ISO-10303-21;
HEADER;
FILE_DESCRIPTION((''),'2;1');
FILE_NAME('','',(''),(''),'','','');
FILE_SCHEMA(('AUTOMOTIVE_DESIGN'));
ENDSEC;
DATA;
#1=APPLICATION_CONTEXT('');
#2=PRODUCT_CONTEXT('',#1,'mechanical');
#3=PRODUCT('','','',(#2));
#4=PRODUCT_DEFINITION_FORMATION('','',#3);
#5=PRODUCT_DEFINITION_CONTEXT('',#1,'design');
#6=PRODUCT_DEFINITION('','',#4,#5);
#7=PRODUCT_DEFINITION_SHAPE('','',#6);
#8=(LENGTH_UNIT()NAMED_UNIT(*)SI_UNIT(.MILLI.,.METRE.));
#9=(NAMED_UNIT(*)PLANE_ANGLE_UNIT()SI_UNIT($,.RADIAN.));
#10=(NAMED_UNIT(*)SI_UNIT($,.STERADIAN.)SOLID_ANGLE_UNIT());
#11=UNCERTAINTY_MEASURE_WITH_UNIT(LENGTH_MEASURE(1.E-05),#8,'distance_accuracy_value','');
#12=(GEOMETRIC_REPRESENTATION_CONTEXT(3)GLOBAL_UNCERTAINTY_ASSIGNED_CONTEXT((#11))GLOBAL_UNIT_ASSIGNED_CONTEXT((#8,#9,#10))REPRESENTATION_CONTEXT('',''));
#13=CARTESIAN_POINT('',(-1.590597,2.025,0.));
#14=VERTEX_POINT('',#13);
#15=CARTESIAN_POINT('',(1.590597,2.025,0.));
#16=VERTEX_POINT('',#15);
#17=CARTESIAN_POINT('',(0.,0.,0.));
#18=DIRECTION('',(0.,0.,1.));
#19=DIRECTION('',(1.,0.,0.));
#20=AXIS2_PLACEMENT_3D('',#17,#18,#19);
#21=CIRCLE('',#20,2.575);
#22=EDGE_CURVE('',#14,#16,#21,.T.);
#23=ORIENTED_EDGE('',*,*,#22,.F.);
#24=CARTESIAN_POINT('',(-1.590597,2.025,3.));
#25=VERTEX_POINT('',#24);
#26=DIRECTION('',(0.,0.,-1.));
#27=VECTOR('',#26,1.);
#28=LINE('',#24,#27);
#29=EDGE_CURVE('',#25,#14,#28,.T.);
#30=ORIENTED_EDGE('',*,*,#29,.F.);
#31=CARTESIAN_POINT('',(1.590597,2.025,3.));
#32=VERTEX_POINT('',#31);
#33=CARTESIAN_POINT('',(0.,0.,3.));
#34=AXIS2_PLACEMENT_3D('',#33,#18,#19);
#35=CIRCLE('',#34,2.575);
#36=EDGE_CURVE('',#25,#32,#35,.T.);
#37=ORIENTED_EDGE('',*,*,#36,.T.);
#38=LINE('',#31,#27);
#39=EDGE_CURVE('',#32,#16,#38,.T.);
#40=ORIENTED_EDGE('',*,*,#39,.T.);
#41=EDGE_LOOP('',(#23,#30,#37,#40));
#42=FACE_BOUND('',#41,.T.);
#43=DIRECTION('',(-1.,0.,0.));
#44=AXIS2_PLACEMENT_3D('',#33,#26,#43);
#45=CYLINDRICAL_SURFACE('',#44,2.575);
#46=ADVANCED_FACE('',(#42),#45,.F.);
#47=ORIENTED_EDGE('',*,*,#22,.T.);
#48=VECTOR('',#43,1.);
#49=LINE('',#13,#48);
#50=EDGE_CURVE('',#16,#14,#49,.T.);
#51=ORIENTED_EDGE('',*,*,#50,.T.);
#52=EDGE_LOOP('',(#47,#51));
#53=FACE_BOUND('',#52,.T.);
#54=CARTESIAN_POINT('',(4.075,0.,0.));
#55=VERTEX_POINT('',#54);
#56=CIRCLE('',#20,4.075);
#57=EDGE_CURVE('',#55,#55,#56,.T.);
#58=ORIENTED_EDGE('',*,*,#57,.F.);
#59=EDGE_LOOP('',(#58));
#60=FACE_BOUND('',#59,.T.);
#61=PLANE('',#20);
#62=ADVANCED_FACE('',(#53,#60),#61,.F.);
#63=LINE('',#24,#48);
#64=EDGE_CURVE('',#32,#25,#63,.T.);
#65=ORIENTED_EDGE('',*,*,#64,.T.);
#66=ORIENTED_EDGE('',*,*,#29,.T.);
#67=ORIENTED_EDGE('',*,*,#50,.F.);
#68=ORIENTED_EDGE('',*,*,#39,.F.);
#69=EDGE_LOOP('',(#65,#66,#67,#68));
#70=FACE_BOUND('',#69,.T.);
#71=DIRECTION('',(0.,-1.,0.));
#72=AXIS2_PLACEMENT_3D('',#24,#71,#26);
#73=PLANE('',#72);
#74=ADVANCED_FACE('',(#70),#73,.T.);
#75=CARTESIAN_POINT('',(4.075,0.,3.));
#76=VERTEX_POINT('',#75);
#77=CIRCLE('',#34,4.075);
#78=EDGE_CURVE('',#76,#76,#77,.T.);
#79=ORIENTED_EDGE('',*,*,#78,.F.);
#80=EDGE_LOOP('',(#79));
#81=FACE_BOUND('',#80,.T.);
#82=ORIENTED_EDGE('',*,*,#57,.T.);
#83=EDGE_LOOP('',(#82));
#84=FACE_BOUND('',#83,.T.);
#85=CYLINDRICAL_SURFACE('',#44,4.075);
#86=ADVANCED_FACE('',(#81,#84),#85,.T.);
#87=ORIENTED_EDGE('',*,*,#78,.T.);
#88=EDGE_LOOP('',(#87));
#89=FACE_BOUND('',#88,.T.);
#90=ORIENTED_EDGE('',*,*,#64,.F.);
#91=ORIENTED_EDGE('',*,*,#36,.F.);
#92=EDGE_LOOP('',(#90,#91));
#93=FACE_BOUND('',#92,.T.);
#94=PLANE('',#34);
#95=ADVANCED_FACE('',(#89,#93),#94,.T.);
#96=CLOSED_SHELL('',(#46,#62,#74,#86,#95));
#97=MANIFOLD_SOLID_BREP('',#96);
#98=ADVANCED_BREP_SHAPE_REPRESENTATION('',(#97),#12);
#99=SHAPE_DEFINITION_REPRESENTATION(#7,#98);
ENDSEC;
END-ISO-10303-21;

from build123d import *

# Parameters (mm, degrees)
SKETCH1_R           = 4.075
BOSS_EXTRUDE1_DEPTH = 3


with BuildPart() as part:
    # Sketch1 → Boss-Extrude1 (new body)
    with BuildSketch(Plane.XY):
        Circle(SKETCH1_R)
        with BuildLine():
            Line((-1.590597372, 2.025), (1.590597372, 2.025))
            ThreePointArc((1.590597372, 2.025), (0, -2.575), (-1.590597372, 2.025))
        make_face(mode=Mode.SUBTRACT)
    extrude(amount=BOSS_EXTRUDE1_DEPTH)


solid = part.part
